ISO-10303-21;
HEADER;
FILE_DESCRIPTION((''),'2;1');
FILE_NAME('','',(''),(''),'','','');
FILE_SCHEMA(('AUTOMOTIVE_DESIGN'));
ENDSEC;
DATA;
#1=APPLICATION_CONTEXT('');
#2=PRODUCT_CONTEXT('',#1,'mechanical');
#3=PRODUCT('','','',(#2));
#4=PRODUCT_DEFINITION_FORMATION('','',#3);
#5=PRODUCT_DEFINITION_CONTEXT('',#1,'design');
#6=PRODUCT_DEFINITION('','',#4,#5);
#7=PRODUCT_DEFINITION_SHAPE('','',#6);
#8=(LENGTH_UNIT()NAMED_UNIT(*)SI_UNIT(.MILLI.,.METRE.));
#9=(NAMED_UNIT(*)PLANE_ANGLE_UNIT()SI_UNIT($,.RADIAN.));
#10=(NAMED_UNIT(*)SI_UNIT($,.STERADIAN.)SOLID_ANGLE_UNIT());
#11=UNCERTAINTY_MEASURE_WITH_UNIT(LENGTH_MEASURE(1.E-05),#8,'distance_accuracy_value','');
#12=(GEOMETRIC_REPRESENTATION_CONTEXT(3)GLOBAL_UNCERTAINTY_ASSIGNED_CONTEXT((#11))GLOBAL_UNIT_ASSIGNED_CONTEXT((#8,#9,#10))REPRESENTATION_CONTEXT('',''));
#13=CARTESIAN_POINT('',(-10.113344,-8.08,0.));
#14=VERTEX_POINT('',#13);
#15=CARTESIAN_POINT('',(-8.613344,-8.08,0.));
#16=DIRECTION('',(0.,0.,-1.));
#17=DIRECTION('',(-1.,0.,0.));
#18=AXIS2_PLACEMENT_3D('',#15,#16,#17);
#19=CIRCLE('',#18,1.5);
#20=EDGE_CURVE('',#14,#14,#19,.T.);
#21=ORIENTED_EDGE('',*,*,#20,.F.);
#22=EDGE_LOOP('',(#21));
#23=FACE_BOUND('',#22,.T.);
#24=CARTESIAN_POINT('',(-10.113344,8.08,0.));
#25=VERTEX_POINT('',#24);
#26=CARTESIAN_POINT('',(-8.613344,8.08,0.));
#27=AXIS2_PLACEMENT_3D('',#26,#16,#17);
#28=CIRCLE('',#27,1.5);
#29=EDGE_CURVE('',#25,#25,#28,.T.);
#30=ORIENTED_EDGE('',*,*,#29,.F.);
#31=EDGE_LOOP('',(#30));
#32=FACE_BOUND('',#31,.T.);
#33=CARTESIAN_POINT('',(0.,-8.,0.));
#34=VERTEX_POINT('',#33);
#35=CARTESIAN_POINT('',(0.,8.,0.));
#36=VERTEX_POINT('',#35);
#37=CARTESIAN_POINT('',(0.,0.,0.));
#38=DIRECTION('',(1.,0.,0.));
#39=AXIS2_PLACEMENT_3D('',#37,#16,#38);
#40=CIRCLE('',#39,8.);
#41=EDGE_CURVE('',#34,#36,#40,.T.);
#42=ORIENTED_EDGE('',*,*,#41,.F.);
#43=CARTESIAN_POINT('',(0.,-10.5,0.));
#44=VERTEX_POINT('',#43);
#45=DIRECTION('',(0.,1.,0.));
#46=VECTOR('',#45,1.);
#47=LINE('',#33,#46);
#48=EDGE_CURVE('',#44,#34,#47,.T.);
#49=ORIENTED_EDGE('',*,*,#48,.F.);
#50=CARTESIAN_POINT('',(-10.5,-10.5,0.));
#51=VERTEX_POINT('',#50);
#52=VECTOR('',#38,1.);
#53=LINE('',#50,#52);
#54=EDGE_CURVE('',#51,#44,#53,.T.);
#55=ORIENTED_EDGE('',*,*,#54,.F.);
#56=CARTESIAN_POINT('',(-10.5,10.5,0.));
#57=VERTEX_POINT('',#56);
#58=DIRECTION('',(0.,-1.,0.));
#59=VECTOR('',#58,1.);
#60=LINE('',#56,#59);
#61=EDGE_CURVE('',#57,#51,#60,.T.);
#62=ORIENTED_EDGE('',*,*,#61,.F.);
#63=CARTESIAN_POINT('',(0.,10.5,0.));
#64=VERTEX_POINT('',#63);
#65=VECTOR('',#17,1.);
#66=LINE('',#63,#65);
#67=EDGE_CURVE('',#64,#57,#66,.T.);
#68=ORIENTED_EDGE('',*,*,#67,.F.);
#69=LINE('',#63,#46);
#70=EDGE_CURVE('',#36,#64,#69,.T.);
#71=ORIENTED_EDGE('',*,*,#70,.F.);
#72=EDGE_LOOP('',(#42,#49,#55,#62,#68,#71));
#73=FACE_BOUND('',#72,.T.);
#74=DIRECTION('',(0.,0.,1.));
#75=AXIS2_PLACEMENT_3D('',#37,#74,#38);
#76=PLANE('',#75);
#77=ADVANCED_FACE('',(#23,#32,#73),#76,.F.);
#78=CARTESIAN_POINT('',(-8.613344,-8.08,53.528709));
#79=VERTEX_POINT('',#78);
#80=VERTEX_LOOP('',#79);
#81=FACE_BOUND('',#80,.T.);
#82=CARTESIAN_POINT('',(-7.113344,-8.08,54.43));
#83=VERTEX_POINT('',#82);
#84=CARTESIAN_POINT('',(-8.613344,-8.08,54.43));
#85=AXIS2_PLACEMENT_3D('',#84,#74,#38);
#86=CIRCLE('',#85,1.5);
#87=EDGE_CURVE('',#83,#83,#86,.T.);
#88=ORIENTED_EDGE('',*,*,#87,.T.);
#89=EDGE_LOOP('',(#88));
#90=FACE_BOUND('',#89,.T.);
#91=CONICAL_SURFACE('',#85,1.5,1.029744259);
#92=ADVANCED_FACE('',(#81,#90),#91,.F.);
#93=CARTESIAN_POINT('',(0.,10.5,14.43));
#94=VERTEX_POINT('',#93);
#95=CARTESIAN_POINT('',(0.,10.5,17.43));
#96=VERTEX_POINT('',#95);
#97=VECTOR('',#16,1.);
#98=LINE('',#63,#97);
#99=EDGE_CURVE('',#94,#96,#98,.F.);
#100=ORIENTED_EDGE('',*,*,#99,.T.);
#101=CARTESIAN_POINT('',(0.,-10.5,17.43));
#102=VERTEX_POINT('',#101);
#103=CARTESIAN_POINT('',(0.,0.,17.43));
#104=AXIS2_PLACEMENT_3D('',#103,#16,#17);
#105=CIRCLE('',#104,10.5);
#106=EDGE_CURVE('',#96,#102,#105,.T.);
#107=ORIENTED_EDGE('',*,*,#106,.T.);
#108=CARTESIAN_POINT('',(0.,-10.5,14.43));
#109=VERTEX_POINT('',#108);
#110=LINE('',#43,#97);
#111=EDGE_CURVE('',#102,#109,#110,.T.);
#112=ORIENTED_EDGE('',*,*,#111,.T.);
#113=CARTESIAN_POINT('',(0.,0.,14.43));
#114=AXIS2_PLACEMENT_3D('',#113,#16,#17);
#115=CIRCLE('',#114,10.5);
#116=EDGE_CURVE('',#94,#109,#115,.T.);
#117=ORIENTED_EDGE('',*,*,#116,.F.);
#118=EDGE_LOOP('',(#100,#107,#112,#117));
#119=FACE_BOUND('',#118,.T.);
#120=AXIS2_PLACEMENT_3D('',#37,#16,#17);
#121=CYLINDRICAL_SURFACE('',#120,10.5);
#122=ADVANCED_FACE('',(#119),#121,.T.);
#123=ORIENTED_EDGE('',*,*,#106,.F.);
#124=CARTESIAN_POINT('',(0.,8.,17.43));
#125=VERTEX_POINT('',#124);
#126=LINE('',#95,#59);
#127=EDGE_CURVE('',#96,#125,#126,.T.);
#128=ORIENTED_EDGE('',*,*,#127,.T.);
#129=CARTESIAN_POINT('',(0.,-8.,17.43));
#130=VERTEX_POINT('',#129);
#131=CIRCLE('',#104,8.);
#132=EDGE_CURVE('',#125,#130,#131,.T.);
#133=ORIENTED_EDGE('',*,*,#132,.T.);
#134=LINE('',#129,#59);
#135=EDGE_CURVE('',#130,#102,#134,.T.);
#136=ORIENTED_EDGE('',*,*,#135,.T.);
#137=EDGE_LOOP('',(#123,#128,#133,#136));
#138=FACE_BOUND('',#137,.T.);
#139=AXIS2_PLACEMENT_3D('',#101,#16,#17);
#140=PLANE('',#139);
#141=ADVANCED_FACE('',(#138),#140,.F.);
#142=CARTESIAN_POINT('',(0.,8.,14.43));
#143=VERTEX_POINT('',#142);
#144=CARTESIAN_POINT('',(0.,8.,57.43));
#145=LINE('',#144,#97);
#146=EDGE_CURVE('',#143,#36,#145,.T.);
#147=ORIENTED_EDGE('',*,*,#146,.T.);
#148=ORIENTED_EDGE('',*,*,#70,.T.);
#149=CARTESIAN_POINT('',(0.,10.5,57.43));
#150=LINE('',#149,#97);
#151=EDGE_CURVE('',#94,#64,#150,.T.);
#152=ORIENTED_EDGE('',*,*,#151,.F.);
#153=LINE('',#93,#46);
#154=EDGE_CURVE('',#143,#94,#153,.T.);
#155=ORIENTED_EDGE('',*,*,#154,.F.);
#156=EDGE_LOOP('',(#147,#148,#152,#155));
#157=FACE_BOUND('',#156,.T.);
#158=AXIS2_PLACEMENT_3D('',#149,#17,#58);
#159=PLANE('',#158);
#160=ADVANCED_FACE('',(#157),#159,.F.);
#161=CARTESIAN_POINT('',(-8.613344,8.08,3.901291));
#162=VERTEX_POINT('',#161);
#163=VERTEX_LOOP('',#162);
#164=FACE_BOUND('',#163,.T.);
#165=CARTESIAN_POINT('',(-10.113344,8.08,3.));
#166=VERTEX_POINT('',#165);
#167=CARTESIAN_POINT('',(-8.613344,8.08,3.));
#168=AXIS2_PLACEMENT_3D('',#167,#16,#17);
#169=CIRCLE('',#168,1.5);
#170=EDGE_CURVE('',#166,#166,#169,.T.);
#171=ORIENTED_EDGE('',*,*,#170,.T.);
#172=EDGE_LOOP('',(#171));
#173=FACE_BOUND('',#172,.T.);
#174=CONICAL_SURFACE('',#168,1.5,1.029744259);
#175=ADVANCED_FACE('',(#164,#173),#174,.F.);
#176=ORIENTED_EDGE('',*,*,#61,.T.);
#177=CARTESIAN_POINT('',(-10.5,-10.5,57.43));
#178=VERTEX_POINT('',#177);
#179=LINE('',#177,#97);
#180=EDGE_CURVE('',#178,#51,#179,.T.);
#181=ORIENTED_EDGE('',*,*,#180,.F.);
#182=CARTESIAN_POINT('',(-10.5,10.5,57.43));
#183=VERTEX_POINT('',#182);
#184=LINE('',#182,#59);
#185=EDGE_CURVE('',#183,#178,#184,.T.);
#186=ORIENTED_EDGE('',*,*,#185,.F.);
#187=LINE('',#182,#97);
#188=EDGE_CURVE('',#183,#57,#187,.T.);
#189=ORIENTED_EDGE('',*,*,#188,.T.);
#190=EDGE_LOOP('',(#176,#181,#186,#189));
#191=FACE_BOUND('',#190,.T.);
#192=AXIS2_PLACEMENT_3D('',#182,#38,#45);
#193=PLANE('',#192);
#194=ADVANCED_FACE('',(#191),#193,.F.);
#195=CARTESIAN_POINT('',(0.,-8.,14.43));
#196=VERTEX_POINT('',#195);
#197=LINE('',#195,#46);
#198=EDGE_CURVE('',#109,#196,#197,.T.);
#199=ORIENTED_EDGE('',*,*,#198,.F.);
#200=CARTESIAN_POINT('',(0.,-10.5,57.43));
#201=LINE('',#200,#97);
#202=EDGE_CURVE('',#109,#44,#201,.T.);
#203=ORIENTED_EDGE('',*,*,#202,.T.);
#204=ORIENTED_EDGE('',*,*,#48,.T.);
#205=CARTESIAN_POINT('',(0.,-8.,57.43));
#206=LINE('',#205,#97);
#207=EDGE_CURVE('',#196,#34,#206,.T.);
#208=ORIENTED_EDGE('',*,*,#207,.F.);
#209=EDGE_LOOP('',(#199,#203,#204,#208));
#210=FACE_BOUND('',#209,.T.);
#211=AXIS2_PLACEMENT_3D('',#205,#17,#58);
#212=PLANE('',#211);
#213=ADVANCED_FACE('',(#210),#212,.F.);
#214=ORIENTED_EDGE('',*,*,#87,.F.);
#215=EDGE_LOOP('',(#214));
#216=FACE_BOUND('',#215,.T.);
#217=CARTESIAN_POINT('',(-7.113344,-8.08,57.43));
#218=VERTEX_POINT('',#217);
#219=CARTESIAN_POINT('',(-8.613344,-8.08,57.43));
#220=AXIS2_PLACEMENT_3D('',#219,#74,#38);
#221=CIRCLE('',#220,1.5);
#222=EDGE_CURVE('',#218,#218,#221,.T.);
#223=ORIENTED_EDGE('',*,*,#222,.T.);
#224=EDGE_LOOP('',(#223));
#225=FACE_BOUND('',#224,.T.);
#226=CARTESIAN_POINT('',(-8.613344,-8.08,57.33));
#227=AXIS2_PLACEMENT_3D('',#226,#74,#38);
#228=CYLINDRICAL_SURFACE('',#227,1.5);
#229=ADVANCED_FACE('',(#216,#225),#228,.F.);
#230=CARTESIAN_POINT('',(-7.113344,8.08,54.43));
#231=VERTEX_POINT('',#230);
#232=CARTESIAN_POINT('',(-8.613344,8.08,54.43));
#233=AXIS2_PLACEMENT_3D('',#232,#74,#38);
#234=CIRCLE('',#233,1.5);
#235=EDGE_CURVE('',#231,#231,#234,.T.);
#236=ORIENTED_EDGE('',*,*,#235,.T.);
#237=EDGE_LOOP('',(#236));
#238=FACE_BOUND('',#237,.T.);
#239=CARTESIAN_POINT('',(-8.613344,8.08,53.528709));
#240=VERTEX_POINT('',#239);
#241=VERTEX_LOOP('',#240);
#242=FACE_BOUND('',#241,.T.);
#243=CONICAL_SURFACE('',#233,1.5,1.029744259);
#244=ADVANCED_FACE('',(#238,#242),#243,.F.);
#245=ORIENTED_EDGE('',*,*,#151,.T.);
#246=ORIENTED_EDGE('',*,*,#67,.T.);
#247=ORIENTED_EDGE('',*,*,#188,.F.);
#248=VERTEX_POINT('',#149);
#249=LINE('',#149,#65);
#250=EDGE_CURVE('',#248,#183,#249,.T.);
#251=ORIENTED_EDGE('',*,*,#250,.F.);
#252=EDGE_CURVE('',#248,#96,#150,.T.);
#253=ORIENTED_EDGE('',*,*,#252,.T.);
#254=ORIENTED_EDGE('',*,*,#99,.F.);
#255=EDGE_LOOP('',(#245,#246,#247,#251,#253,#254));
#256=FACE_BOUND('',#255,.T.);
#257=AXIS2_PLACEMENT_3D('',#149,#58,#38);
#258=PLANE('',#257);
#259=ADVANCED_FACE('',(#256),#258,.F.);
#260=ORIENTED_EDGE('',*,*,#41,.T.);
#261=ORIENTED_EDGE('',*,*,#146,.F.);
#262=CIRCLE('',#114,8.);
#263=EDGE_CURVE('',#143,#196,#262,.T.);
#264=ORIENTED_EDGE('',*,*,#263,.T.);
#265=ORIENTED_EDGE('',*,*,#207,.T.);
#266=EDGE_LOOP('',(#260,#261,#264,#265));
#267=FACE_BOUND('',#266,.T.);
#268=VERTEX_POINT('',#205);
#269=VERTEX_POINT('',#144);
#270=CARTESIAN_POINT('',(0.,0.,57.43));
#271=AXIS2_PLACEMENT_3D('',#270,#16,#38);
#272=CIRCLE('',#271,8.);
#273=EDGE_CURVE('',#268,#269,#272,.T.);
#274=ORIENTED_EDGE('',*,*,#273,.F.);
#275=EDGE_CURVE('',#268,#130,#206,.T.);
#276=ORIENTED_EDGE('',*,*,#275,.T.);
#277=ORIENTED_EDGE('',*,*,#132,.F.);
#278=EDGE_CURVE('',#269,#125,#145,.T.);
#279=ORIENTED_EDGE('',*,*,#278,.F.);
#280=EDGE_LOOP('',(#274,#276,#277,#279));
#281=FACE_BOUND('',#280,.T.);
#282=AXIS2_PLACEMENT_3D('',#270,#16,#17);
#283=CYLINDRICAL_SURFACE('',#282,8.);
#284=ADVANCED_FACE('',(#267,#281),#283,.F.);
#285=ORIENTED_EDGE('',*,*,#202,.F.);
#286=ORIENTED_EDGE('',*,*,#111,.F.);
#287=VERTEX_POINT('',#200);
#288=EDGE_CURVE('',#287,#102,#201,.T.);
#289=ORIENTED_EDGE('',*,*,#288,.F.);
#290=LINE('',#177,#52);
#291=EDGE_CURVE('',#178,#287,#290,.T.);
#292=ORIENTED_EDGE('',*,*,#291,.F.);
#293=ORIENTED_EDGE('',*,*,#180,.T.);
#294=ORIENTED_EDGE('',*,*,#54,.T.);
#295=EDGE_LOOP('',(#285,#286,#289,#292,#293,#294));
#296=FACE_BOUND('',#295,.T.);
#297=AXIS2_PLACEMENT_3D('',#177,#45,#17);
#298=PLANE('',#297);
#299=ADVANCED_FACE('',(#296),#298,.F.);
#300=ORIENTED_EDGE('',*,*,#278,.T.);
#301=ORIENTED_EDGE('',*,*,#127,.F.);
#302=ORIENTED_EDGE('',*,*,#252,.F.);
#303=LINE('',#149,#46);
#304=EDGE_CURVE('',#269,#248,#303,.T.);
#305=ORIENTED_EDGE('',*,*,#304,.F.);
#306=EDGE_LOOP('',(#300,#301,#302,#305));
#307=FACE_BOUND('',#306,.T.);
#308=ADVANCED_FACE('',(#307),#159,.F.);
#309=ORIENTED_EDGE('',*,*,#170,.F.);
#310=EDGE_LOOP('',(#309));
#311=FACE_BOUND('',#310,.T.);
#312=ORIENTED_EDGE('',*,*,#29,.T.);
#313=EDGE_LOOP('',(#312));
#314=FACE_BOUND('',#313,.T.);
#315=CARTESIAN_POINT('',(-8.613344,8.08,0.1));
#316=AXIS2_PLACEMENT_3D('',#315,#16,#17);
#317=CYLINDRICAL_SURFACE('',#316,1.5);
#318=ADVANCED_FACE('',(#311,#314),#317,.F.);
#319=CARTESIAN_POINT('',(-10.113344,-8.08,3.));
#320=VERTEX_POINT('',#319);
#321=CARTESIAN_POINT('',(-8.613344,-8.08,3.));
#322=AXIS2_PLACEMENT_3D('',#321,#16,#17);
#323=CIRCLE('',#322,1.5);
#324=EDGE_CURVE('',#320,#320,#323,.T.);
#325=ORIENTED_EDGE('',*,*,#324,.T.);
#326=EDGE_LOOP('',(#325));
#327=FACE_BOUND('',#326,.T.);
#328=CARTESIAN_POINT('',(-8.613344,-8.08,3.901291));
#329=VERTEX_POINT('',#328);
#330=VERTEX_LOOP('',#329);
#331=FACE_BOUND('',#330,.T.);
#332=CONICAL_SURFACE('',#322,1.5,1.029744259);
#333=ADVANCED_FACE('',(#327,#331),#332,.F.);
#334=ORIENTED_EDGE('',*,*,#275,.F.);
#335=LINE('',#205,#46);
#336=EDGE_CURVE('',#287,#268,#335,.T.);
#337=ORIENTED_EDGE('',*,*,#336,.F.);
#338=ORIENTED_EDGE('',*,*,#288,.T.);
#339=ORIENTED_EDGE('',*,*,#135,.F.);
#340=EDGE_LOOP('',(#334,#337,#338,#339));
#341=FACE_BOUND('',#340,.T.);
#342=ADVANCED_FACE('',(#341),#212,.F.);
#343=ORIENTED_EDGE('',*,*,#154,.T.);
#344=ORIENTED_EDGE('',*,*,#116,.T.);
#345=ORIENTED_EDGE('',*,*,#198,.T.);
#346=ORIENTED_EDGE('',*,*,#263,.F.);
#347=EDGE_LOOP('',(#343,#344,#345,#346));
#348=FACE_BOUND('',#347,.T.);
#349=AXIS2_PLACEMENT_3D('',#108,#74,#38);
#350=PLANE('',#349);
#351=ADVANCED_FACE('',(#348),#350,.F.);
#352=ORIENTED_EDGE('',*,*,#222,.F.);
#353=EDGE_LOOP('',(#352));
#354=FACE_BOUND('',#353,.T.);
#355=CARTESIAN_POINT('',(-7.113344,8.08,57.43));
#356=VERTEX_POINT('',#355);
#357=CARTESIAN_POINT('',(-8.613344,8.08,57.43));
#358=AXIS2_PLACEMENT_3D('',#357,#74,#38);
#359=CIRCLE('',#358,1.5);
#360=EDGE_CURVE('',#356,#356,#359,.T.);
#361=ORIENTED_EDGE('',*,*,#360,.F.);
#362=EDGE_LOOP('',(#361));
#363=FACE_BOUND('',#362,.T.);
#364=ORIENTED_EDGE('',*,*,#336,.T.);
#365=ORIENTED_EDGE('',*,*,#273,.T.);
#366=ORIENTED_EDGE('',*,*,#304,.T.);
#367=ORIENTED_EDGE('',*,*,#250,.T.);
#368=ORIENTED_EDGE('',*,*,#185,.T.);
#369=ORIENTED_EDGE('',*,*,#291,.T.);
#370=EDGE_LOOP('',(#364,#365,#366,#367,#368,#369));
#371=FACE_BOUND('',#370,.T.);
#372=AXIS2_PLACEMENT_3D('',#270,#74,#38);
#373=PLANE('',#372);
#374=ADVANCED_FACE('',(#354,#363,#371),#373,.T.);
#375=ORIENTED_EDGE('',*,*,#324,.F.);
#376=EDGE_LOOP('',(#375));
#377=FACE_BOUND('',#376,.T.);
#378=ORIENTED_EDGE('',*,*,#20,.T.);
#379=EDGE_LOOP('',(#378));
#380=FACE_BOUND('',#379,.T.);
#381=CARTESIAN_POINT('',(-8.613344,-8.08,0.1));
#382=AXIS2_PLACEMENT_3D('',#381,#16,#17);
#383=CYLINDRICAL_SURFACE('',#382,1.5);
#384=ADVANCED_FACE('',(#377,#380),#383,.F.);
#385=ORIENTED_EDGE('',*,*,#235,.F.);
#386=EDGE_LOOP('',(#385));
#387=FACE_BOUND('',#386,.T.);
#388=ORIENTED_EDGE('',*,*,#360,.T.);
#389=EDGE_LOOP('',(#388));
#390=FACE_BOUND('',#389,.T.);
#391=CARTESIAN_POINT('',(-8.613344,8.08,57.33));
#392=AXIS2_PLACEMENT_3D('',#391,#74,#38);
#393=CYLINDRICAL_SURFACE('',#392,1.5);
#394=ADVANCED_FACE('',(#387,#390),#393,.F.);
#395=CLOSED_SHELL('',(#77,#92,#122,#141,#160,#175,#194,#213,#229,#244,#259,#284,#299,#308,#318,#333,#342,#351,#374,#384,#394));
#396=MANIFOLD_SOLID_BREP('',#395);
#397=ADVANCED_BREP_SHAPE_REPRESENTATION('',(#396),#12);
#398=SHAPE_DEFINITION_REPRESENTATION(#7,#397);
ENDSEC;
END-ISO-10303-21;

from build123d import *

# Parameters (mm, degrees)
BOSS_EXTRUDE1_DEPTH       = 57.43
SKETCH2_W                 = 3
SKETCH2_H                 = 2.5
SKETCH6_R                 = 1.5
CUT_EXTRUDE1_DEPTH        = 0.1
CUT_EXTRUDE2_START        = -0.1
SKETCH9_R                 = 1.5
CUT_EXTRUDE2_DEPTH        = 0.1
F_3_0MM_DOWEL_HOLE1_D     = 3
F_3_0MM_DOWEL_HOLE1_DEPTH = 3
F_3_0MM_DOWEL_HOLE1_TIP   = 0.901290929
F_3_0MM_DOWEL_HOLE2_D     = 3
F_3_0MM_DOWEL_HOLE2_DEPTH = 3
F_3_0MM_DOWEL_HOLE2_TIP   = 0.901290929


with BuildPart() as part:
    # Sketch1 → Boss-Extrude1 (new body)
    with BuildSketch(Plane.XY):
        with BuildLine():
            Line((0, -8), (0, -10.5))
            Line((0, -10.5), (-10.5, -10.5))
            Line((-10.5, -10.5), (-10.5, 10.5))
            Line((-10.5, 10.5), (0, 10.5))
            Line((0, 10.5), (0, 8))
            ThreePointArc((0, 8), (-8, 0), (0, -8))
        make_face()
    extrude(amount=BOSS_EXTRUDE1_DEPTH)

    # Sketch2 → Revolve1 (revolve)
    with BuildSketch(Plane(origin=(0, 0, 0), x_dir=(0, 0, -1), z_dir=(1, 0, 0)), mode=Mode.PRIVATE) as revolve1_sk:
        with Locations((-15.93, -9.25)):
            Rectangle(SKETCH2_W, SKETCH2_H)
    revolve(revolve1_sk.sketch.rotate(Axis((0, 0, 0), (0, 0, 1)), 180), axis=Axis((0, 0, 0), (0, 0, 1)))

    # Sketch6 → Cut-Extrude1 (cut)
    with BuildSketch(Plane.XY.offset(57.43)):
        with Locations((-8.613344298, 8.08)):
            Circle(SKETCH6_R)
        with Locations((-8.613344298, -8.08)):
            Circle(SKETCH6_R)
    extrude(amount=-CUT_EXTRUDE1_DEPTH, mode=Mode.SUBTRACT)

    # Sketch9 → Cut-Extrude2 (cut)
    with BuildSketch(Plane(origin=(0, 0, 0), x_dir=(-1, 0, 0), z_dir=(0, 0, -1)).offset(CUT_EXTRUDE2_START)):
        with Locations(Location((8.613344298, 8.08, 0), (0, 0, 180))):
            Circle(SKETCH9_R)
        with Locations(Location((8.613344298, -8.08, 0), (0, 0, 180))):
            Circle(SKETCH9_R)
    extrude(amount=CUT_EXTRUDE2_DEPTH, mode=Mode.SUBTRACT)

    # Ø3.0mm Dowel Hole1
    with Locations(Plane.XY.offset(57.43)):
        with Locations((-8.613344298, 8.08), (-8.613344298, -8.08)):
            Hole(F_3_0MM_DOWEL_HOLE1_D / 2, depth=F_3_0MM_DOWEL_HOLE1_DEPTH)
            with Locations((0, 0, -(F_3_0MM_DOWEL_HOLE1_DEPTH + F_3_0MM_DOWEL_HOLE1_TIP / 2))):  # 118° drill point
                Cone(0, F_3_0MM_DOWEL_HOLE1_D / 2, F_3_0MM_DOWEL_HOLE1_TIP, mode=Mode.SUBTRACT)

    # Ø3.0mm Dowel Hole2
    with Locations(Plane(origin=(0, 0, 0), x_dir=(-1, 0, 0), z_dir=(0, 0, -1))):
        with Locations((8.613344298, 8.08), (8.613344298, -8.08)):
            Hole(F_3_0MM_DOWEL_HOLE2_D / 2, depth=F_3_0MM_DOWEL_HOLE2_DEPTH)
            with Locations((0, 0, -(F_3_0MM_DOWEL_HOLE2_DEPTH + F_3_0MM_DOWEL_HOLE2_TIP / 2))):  # 118° drill point
                Cone(0, F_3_0MM_DOWEL_HOLE2_D / 2, F_3_0MM_DOWEL_HOLE2_TIP, mode=Mode.SUBTRACT)


solid = part.part
